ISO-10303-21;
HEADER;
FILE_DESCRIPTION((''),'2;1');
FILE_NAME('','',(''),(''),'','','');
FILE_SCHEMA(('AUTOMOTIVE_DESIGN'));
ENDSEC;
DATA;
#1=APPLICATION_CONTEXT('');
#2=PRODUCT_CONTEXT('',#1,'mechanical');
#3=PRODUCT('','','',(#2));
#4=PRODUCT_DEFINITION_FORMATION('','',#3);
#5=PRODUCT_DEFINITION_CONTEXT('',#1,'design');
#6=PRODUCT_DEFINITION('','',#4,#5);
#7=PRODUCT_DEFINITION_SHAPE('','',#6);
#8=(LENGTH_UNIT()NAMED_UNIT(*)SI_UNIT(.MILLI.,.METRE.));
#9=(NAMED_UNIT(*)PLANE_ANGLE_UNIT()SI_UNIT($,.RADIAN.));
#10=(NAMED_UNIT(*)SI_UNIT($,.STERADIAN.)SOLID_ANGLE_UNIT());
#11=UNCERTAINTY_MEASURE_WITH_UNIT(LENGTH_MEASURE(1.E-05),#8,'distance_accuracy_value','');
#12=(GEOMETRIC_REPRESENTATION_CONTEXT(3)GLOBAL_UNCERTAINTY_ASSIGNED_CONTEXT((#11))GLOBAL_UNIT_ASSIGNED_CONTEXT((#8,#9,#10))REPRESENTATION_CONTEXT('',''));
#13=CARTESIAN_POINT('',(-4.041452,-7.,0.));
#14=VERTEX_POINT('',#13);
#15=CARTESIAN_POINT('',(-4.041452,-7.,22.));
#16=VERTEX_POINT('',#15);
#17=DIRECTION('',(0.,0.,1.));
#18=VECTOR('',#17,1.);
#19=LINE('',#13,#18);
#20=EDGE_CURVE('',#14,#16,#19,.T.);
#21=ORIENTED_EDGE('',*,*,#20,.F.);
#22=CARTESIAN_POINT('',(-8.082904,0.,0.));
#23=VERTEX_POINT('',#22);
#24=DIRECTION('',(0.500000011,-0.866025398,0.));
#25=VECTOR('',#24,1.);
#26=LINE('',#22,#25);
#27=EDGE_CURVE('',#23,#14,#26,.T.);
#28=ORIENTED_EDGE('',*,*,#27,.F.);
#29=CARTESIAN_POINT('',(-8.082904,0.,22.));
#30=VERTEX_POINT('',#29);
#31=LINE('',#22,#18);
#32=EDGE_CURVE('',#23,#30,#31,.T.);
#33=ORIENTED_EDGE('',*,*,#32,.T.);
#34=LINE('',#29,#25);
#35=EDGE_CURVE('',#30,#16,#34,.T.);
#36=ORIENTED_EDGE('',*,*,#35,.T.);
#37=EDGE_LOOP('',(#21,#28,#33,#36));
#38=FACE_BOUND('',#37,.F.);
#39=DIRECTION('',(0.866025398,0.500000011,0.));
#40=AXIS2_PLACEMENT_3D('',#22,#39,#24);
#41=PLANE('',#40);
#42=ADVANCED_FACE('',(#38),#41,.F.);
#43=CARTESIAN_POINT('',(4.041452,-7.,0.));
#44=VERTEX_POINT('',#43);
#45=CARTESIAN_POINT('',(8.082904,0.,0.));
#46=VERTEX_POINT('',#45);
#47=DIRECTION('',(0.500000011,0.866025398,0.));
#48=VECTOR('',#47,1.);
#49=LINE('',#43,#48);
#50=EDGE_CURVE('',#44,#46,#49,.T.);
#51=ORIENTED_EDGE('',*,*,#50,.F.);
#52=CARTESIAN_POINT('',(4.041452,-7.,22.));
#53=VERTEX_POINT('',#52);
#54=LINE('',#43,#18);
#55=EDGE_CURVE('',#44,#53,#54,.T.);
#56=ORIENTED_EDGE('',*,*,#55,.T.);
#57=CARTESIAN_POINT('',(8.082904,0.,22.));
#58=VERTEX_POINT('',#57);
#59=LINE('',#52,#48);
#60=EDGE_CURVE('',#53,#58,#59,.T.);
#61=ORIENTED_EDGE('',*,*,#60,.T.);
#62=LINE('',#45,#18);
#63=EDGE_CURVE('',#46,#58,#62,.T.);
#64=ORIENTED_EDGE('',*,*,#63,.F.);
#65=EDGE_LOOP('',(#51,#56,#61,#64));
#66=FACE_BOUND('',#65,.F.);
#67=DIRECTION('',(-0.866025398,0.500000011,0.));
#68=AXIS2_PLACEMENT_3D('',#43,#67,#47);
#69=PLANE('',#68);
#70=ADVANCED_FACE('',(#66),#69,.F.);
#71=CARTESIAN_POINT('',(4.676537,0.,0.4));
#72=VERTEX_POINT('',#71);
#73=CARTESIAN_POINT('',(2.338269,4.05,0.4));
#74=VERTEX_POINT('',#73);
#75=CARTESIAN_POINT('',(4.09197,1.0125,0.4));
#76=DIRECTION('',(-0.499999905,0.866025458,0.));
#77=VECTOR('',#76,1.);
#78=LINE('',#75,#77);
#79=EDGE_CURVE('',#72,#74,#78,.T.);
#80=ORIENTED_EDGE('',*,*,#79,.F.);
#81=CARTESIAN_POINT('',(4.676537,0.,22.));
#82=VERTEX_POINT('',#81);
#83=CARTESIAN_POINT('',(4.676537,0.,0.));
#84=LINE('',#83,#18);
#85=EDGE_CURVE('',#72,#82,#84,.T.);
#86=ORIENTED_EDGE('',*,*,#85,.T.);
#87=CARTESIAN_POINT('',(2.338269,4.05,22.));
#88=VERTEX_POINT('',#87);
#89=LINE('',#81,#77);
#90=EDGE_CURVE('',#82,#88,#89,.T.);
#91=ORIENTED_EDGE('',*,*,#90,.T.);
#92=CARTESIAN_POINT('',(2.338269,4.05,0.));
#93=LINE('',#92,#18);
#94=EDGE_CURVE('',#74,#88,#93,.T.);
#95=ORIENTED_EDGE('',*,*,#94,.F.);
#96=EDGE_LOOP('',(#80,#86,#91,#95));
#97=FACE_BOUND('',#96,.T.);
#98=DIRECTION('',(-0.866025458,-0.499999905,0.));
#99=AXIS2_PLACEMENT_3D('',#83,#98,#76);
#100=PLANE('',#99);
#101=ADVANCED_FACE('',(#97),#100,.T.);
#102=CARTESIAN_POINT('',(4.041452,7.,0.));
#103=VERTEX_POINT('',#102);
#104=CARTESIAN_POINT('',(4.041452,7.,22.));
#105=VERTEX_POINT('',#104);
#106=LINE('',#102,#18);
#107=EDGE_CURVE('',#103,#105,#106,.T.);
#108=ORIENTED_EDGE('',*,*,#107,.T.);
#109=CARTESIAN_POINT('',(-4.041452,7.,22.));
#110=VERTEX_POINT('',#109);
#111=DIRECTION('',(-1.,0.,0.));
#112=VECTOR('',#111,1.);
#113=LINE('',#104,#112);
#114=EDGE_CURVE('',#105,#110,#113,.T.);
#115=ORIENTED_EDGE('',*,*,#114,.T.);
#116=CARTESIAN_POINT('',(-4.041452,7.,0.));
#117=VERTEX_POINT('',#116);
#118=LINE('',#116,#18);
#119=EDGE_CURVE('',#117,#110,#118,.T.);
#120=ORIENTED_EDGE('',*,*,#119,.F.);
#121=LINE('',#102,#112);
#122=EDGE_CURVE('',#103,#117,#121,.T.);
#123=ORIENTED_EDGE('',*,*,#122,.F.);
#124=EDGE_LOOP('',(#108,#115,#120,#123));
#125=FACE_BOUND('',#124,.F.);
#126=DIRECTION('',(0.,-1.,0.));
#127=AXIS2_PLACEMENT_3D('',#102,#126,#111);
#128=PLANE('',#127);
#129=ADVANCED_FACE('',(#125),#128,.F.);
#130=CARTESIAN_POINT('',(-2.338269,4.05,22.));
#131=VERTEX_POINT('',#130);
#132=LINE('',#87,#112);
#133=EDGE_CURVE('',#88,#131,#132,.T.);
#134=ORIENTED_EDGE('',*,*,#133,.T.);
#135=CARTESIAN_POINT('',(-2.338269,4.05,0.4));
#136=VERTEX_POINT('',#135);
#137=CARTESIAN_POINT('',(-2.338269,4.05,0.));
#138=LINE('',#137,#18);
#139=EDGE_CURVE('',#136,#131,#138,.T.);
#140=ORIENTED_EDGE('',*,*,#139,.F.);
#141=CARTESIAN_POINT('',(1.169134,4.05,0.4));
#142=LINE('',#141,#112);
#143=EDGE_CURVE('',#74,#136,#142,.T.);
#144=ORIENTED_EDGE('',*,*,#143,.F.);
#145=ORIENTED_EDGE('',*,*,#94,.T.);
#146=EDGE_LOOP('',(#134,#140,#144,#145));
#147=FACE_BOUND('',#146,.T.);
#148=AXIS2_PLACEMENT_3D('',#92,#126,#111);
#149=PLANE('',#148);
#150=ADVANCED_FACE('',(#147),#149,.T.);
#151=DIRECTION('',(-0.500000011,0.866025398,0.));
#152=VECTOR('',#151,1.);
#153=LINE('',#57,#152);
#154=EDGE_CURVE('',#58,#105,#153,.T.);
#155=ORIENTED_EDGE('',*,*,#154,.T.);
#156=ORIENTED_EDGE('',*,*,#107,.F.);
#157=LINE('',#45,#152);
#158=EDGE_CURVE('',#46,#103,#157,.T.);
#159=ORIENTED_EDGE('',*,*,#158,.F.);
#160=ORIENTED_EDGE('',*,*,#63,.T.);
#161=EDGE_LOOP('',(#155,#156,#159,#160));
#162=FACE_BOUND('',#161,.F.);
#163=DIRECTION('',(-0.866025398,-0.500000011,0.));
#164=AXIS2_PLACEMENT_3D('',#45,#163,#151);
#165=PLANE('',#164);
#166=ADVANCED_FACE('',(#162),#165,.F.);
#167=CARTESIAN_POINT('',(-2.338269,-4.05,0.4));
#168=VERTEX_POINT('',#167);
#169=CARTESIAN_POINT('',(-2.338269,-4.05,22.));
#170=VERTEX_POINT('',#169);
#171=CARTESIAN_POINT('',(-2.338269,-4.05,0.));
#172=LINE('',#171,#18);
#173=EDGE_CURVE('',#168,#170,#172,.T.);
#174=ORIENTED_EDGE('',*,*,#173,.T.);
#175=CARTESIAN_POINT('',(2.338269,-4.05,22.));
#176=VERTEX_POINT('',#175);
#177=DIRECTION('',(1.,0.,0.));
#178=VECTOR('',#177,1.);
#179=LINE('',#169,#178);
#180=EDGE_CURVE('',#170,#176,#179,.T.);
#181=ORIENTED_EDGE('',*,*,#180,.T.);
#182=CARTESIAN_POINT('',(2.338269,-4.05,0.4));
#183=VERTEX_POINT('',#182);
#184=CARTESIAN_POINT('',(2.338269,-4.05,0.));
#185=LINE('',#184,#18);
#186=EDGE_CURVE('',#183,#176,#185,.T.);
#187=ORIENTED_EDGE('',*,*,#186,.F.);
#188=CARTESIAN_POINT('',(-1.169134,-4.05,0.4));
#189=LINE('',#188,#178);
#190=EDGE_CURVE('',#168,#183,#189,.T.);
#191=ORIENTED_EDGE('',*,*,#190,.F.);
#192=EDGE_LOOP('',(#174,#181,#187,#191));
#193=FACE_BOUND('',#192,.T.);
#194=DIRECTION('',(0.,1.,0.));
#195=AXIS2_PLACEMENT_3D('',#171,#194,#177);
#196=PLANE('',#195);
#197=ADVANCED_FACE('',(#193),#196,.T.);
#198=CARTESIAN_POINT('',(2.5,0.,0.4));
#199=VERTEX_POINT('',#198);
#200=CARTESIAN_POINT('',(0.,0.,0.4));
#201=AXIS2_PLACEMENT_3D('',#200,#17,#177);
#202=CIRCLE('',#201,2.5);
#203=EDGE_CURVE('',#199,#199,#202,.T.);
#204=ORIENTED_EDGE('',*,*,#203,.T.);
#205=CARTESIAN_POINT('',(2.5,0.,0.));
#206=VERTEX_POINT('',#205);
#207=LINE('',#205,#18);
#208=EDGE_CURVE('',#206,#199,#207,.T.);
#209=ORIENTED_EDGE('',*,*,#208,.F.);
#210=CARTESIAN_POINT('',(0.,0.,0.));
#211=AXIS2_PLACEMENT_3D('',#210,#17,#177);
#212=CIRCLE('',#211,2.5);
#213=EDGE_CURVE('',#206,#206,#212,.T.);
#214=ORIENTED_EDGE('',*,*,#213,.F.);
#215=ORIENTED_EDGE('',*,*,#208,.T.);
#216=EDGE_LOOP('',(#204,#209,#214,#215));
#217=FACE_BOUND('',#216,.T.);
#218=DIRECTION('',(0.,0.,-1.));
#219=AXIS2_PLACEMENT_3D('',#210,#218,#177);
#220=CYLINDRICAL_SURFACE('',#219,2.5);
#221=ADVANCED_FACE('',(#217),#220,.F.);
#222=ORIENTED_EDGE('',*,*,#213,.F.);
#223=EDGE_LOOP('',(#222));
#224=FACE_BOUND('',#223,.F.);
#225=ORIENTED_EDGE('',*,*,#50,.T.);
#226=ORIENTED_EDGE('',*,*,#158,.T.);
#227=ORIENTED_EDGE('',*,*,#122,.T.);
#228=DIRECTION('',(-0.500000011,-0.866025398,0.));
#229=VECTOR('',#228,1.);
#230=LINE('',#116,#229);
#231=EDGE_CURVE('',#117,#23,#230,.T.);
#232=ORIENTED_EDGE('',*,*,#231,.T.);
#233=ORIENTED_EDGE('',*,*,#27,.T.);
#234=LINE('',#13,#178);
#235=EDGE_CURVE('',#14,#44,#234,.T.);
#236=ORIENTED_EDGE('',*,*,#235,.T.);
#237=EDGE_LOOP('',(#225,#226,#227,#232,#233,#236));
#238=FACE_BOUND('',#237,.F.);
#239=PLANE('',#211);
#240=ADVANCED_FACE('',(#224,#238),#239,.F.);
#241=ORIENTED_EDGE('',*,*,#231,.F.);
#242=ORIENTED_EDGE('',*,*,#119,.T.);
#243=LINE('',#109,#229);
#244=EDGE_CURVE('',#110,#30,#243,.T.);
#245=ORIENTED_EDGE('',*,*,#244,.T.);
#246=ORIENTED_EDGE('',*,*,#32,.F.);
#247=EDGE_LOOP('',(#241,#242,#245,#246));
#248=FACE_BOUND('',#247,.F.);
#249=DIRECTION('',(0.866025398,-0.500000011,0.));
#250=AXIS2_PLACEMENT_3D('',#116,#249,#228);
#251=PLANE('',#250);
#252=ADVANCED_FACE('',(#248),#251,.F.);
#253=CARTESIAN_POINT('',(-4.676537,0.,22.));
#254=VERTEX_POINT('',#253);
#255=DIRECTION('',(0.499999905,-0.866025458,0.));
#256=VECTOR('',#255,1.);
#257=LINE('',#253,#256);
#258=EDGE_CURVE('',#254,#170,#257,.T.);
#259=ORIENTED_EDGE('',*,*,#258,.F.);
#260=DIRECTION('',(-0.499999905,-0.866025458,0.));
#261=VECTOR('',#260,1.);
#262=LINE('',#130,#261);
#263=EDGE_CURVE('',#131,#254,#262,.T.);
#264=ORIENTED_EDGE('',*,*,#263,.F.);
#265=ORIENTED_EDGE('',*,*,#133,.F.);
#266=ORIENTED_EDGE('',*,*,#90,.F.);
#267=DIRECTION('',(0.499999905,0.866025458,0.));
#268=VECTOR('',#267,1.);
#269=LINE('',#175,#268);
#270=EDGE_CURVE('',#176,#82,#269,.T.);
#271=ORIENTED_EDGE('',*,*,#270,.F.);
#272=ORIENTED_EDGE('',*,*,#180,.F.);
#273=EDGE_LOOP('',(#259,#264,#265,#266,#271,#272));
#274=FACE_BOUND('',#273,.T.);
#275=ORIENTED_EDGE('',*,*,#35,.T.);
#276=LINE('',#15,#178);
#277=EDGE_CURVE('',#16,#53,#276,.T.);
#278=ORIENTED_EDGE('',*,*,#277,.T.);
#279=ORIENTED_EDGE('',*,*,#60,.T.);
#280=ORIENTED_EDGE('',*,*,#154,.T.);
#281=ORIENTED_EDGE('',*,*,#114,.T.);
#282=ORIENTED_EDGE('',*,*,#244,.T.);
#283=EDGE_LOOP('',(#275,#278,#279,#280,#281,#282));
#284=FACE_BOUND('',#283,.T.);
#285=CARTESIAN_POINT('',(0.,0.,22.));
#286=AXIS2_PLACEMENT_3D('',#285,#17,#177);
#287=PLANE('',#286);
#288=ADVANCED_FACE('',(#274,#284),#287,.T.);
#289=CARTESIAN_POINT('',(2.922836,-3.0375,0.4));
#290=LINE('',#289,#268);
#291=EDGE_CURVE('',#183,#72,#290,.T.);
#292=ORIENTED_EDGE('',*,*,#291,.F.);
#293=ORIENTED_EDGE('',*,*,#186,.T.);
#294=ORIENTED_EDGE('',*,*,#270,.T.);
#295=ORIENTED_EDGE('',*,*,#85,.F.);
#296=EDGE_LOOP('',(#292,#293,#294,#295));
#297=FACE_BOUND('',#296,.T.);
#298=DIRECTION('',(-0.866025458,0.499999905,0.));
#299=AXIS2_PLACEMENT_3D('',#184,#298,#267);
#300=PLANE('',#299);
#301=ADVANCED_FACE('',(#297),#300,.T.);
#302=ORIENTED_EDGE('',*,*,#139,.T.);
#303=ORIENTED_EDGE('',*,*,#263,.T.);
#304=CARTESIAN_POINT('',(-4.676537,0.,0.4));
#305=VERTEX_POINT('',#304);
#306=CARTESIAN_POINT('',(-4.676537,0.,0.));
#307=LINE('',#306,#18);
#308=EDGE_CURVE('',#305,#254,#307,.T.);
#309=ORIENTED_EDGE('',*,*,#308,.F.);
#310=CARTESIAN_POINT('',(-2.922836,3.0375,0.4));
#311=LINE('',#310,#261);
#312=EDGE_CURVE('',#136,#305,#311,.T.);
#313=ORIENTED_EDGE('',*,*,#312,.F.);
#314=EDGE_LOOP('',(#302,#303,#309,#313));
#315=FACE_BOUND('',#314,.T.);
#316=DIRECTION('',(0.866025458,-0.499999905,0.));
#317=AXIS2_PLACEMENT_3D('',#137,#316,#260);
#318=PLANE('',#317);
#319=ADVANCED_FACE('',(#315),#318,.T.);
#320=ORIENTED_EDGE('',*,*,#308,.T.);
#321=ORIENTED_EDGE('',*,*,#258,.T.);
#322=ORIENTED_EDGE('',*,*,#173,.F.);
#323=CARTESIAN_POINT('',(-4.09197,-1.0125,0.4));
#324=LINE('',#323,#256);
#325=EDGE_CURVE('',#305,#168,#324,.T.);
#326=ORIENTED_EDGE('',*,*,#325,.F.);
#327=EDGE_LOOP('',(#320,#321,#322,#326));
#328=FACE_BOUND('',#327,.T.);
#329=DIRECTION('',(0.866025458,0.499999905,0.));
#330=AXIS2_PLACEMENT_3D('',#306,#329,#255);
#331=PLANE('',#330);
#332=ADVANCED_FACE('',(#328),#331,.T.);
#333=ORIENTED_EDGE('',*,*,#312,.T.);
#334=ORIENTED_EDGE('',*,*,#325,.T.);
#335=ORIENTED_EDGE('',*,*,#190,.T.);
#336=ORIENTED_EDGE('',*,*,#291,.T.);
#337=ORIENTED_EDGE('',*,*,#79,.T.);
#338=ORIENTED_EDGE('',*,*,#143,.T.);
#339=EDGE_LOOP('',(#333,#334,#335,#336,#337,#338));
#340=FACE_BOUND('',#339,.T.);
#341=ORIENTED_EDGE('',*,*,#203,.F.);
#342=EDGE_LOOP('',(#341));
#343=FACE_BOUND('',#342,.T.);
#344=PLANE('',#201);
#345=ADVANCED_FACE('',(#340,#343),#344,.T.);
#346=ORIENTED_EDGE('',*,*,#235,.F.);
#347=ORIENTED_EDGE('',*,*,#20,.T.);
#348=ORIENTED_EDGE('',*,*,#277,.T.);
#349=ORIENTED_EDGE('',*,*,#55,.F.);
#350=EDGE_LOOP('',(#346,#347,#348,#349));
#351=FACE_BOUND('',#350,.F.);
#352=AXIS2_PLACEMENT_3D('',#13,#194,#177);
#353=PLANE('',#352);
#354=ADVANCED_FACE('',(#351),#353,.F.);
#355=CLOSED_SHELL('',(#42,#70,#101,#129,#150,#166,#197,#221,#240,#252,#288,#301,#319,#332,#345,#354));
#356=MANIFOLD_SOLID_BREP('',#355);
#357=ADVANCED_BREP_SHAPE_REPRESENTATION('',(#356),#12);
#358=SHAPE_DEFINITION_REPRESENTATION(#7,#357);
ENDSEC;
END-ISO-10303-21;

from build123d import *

# Parameters (mm, degrees)
PAD_DEPTH     = 22
SKETCH001_R   = 5
SKETCH001_R_2 = 2.5
PAD001_DEPTH  = 0.4


with BuildPart() as part:
    # Sketch → Pad (new body)
    with BuildSketch(Plane.XY):
        Polygon((4.041452, -7), (8.082904, 0), (4.041452, 7), (-4.041452, 7), (-8.082904, 0), (-4.041452, -7), align=None)
        Polygon((4.676537, 0), (2.338269, 4.05), (-2.338269, 4.05), (-4.676537, 0), (-2.338269, -4.05), (2.338269, -4.05), align=None, mode=Mode.SUBTRACT)
    extrude(amount=PAD_DEPTH)

    # Sketch001 → Pad001 (join)
    with BuildSketch(Plane.XY):
        Circle(SKETCH001_R)
        Circle(SKETCH001_R_2, mode=Mode.SUBTRACT)
    extrude(amount=PAD001_DEPTH)


solid = part.part
